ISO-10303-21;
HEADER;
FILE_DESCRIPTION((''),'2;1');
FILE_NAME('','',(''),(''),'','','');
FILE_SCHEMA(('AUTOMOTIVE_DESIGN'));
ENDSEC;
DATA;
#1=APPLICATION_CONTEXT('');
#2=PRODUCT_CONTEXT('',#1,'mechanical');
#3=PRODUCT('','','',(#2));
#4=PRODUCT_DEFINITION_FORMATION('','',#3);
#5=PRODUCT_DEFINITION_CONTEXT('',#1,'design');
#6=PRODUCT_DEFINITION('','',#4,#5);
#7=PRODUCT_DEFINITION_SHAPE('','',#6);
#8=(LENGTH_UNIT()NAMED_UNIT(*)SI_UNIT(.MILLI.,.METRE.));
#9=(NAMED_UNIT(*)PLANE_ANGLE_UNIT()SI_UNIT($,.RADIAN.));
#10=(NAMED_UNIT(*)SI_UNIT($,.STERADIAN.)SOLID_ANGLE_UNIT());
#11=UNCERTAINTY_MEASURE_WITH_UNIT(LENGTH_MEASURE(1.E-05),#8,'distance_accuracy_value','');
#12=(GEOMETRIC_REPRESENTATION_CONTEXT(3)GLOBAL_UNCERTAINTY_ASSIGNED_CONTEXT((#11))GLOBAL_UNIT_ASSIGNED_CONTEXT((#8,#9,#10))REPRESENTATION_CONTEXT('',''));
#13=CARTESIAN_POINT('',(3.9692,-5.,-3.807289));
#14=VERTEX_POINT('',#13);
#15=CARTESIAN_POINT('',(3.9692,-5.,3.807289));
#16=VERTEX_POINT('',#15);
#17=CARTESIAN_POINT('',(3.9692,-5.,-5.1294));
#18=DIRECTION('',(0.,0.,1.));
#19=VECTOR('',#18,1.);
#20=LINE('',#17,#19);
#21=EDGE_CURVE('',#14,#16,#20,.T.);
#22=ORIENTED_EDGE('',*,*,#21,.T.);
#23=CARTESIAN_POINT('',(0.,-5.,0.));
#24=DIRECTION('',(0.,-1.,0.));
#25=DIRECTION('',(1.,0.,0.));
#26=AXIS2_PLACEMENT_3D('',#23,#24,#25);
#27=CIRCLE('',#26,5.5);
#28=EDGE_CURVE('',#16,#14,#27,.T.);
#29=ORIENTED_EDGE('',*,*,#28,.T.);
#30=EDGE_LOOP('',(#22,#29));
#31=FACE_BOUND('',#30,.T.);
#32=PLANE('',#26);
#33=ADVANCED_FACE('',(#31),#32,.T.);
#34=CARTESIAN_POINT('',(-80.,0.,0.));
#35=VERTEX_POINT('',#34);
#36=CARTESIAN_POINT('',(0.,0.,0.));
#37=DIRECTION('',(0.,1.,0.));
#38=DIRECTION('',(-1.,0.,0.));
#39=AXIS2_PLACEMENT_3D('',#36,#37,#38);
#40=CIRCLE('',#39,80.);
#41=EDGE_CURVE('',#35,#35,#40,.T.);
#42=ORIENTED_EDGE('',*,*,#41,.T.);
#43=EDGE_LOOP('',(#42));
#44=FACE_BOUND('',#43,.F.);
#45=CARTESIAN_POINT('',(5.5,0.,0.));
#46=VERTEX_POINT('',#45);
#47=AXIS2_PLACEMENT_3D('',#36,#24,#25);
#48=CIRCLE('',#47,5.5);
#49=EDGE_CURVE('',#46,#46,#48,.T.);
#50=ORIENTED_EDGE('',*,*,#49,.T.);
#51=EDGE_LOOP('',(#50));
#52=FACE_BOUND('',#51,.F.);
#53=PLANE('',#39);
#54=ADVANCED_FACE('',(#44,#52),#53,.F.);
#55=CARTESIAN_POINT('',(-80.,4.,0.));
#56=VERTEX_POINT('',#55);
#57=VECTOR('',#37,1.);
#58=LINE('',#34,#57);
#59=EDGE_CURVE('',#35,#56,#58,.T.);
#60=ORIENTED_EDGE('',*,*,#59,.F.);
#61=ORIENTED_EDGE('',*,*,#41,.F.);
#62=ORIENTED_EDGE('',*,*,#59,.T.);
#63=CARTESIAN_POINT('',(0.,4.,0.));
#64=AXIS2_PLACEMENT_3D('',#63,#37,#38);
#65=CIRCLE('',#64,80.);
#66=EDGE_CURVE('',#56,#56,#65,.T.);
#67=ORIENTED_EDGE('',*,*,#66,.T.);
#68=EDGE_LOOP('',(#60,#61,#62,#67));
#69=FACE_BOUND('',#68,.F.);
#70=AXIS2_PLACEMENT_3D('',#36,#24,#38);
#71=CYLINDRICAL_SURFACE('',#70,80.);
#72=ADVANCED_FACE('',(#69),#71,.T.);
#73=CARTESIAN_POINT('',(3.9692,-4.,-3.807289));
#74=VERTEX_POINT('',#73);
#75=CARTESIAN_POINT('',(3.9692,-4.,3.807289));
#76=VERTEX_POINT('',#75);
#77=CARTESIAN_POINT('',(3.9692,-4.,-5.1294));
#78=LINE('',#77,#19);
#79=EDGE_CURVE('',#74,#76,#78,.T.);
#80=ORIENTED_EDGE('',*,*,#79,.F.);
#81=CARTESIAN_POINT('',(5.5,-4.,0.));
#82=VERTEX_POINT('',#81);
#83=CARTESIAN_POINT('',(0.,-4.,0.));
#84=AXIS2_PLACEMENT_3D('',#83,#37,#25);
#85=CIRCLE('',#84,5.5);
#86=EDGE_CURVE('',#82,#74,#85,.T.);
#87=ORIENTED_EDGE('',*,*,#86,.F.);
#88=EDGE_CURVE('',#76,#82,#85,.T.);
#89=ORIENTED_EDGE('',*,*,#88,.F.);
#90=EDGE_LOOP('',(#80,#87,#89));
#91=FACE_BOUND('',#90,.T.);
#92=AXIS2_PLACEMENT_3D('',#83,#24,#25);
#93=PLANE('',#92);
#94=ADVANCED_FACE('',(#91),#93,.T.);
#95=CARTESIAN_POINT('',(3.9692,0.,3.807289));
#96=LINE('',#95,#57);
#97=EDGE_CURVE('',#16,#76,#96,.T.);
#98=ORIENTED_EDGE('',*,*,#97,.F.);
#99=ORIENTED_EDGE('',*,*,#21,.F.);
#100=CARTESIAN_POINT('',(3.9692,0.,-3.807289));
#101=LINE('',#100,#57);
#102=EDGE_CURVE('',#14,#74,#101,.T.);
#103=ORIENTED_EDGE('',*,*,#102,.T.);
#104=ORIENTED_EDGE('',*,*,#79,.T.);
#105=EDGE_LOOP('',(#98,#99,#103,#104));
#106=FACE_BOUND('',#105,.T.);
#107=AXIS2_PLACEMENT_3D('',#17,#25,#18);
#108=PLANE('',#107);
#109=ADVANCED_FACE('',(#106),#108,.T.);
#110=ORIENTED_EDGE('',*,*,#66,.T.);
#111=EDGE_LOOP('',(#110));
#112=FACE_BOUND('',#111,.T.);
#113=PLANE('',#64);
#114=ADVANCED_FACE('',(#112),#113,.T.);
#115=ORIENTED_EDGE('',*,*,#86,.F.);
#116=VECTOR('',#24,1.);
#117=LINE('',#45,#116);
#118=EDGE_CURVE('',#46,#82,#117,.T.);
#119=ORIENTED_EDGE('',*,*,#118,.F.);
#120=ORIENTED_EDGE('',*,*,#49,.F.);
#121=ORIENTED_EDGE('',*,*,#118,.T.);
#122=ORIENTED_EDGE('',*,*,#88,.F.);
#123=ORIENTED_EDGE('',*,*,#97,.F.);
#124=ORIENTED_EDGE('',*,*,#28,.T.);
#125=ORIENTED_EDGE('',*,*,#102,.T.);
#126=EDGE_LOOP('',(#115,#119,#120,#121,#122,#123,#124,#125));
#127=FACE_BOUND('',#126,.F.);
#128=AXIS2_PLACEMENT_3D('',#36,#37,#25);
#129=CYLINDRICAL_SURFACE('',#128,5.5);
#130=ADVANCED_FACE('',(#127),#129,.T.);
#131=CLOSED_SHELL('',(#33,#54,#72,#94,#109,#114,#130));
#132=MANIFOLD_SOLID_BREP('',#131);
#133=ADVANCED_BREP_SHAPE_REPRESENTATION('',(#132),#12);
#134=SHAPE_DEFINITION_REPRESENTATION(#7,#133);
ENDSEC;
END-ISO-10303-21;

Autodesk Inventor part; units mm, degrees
ref_plane "YZ Plane" through (0, 0, 0) normal (1, 0, 0) x (0, 1, 0)
ref_plane "XZ Plane" through (0, 0, 0) normal (0, 1, 0) x (-1, 0, 0)
ref_plane "XY Plane" through (0, 0, 0) normal (0, 0, 1) x (1, 0, 0)
sketch "Sketch1" plane through (0, 0, 0) normal (0, 1, 0) x (-1, 0, 0)
  circle A0 centre (0, 0) radius 80
  dimension "d0" = 160
extrude "Extrusion1" add sketch "Sketch1" along normal blind 4
sketch "Sketch2" plane through (0, 0, 0) normal (0, -1, 0) x (1, 0, 0)
  point P0 (0, 0)
sketch "Sketch4" plane through (0, 0, 0) normal (0, -1, 0) x (1, 0, 0)
  circle A0 centre (0, 0) radius 5.5
  dimension "d7" = 11
extrude "Extrusion3" add sketch "Sketch4" along normal blind 5
sketch "Sketch5" plane through (0, 0, 0) normal (0, -1, 0) x (1, 0, 0)
  point P0 (0, 0)
sketch "Sketch8" plane through (0, -5, 0) normal (0, -1, 0) x (1, 0, 0)
  line L0 (3.9692, 4.8706) -> (31.1403, 4.8706)
  line L1 (31.1403, 4.8706) -> (31.1403, -5.1294)
  line L2 (31.1403, -5.1294) -> (3.9692, -5.1294)
  line L3 (3.9692, -5.1294) -> (3.9692, 4.8706)
  point P0 (0, 0)
  dimension "d15" = 10
extrude "Extrusion5" cut sketch "Sketch8" against normal blind 1
equation "\"d0\" = diamteru"
equation "\"d1\" = grosime"
equation "\"diamteru\" = 160"
equation "\"grosime\" = 4"
properties part number "pat" material "PET Plastic"
